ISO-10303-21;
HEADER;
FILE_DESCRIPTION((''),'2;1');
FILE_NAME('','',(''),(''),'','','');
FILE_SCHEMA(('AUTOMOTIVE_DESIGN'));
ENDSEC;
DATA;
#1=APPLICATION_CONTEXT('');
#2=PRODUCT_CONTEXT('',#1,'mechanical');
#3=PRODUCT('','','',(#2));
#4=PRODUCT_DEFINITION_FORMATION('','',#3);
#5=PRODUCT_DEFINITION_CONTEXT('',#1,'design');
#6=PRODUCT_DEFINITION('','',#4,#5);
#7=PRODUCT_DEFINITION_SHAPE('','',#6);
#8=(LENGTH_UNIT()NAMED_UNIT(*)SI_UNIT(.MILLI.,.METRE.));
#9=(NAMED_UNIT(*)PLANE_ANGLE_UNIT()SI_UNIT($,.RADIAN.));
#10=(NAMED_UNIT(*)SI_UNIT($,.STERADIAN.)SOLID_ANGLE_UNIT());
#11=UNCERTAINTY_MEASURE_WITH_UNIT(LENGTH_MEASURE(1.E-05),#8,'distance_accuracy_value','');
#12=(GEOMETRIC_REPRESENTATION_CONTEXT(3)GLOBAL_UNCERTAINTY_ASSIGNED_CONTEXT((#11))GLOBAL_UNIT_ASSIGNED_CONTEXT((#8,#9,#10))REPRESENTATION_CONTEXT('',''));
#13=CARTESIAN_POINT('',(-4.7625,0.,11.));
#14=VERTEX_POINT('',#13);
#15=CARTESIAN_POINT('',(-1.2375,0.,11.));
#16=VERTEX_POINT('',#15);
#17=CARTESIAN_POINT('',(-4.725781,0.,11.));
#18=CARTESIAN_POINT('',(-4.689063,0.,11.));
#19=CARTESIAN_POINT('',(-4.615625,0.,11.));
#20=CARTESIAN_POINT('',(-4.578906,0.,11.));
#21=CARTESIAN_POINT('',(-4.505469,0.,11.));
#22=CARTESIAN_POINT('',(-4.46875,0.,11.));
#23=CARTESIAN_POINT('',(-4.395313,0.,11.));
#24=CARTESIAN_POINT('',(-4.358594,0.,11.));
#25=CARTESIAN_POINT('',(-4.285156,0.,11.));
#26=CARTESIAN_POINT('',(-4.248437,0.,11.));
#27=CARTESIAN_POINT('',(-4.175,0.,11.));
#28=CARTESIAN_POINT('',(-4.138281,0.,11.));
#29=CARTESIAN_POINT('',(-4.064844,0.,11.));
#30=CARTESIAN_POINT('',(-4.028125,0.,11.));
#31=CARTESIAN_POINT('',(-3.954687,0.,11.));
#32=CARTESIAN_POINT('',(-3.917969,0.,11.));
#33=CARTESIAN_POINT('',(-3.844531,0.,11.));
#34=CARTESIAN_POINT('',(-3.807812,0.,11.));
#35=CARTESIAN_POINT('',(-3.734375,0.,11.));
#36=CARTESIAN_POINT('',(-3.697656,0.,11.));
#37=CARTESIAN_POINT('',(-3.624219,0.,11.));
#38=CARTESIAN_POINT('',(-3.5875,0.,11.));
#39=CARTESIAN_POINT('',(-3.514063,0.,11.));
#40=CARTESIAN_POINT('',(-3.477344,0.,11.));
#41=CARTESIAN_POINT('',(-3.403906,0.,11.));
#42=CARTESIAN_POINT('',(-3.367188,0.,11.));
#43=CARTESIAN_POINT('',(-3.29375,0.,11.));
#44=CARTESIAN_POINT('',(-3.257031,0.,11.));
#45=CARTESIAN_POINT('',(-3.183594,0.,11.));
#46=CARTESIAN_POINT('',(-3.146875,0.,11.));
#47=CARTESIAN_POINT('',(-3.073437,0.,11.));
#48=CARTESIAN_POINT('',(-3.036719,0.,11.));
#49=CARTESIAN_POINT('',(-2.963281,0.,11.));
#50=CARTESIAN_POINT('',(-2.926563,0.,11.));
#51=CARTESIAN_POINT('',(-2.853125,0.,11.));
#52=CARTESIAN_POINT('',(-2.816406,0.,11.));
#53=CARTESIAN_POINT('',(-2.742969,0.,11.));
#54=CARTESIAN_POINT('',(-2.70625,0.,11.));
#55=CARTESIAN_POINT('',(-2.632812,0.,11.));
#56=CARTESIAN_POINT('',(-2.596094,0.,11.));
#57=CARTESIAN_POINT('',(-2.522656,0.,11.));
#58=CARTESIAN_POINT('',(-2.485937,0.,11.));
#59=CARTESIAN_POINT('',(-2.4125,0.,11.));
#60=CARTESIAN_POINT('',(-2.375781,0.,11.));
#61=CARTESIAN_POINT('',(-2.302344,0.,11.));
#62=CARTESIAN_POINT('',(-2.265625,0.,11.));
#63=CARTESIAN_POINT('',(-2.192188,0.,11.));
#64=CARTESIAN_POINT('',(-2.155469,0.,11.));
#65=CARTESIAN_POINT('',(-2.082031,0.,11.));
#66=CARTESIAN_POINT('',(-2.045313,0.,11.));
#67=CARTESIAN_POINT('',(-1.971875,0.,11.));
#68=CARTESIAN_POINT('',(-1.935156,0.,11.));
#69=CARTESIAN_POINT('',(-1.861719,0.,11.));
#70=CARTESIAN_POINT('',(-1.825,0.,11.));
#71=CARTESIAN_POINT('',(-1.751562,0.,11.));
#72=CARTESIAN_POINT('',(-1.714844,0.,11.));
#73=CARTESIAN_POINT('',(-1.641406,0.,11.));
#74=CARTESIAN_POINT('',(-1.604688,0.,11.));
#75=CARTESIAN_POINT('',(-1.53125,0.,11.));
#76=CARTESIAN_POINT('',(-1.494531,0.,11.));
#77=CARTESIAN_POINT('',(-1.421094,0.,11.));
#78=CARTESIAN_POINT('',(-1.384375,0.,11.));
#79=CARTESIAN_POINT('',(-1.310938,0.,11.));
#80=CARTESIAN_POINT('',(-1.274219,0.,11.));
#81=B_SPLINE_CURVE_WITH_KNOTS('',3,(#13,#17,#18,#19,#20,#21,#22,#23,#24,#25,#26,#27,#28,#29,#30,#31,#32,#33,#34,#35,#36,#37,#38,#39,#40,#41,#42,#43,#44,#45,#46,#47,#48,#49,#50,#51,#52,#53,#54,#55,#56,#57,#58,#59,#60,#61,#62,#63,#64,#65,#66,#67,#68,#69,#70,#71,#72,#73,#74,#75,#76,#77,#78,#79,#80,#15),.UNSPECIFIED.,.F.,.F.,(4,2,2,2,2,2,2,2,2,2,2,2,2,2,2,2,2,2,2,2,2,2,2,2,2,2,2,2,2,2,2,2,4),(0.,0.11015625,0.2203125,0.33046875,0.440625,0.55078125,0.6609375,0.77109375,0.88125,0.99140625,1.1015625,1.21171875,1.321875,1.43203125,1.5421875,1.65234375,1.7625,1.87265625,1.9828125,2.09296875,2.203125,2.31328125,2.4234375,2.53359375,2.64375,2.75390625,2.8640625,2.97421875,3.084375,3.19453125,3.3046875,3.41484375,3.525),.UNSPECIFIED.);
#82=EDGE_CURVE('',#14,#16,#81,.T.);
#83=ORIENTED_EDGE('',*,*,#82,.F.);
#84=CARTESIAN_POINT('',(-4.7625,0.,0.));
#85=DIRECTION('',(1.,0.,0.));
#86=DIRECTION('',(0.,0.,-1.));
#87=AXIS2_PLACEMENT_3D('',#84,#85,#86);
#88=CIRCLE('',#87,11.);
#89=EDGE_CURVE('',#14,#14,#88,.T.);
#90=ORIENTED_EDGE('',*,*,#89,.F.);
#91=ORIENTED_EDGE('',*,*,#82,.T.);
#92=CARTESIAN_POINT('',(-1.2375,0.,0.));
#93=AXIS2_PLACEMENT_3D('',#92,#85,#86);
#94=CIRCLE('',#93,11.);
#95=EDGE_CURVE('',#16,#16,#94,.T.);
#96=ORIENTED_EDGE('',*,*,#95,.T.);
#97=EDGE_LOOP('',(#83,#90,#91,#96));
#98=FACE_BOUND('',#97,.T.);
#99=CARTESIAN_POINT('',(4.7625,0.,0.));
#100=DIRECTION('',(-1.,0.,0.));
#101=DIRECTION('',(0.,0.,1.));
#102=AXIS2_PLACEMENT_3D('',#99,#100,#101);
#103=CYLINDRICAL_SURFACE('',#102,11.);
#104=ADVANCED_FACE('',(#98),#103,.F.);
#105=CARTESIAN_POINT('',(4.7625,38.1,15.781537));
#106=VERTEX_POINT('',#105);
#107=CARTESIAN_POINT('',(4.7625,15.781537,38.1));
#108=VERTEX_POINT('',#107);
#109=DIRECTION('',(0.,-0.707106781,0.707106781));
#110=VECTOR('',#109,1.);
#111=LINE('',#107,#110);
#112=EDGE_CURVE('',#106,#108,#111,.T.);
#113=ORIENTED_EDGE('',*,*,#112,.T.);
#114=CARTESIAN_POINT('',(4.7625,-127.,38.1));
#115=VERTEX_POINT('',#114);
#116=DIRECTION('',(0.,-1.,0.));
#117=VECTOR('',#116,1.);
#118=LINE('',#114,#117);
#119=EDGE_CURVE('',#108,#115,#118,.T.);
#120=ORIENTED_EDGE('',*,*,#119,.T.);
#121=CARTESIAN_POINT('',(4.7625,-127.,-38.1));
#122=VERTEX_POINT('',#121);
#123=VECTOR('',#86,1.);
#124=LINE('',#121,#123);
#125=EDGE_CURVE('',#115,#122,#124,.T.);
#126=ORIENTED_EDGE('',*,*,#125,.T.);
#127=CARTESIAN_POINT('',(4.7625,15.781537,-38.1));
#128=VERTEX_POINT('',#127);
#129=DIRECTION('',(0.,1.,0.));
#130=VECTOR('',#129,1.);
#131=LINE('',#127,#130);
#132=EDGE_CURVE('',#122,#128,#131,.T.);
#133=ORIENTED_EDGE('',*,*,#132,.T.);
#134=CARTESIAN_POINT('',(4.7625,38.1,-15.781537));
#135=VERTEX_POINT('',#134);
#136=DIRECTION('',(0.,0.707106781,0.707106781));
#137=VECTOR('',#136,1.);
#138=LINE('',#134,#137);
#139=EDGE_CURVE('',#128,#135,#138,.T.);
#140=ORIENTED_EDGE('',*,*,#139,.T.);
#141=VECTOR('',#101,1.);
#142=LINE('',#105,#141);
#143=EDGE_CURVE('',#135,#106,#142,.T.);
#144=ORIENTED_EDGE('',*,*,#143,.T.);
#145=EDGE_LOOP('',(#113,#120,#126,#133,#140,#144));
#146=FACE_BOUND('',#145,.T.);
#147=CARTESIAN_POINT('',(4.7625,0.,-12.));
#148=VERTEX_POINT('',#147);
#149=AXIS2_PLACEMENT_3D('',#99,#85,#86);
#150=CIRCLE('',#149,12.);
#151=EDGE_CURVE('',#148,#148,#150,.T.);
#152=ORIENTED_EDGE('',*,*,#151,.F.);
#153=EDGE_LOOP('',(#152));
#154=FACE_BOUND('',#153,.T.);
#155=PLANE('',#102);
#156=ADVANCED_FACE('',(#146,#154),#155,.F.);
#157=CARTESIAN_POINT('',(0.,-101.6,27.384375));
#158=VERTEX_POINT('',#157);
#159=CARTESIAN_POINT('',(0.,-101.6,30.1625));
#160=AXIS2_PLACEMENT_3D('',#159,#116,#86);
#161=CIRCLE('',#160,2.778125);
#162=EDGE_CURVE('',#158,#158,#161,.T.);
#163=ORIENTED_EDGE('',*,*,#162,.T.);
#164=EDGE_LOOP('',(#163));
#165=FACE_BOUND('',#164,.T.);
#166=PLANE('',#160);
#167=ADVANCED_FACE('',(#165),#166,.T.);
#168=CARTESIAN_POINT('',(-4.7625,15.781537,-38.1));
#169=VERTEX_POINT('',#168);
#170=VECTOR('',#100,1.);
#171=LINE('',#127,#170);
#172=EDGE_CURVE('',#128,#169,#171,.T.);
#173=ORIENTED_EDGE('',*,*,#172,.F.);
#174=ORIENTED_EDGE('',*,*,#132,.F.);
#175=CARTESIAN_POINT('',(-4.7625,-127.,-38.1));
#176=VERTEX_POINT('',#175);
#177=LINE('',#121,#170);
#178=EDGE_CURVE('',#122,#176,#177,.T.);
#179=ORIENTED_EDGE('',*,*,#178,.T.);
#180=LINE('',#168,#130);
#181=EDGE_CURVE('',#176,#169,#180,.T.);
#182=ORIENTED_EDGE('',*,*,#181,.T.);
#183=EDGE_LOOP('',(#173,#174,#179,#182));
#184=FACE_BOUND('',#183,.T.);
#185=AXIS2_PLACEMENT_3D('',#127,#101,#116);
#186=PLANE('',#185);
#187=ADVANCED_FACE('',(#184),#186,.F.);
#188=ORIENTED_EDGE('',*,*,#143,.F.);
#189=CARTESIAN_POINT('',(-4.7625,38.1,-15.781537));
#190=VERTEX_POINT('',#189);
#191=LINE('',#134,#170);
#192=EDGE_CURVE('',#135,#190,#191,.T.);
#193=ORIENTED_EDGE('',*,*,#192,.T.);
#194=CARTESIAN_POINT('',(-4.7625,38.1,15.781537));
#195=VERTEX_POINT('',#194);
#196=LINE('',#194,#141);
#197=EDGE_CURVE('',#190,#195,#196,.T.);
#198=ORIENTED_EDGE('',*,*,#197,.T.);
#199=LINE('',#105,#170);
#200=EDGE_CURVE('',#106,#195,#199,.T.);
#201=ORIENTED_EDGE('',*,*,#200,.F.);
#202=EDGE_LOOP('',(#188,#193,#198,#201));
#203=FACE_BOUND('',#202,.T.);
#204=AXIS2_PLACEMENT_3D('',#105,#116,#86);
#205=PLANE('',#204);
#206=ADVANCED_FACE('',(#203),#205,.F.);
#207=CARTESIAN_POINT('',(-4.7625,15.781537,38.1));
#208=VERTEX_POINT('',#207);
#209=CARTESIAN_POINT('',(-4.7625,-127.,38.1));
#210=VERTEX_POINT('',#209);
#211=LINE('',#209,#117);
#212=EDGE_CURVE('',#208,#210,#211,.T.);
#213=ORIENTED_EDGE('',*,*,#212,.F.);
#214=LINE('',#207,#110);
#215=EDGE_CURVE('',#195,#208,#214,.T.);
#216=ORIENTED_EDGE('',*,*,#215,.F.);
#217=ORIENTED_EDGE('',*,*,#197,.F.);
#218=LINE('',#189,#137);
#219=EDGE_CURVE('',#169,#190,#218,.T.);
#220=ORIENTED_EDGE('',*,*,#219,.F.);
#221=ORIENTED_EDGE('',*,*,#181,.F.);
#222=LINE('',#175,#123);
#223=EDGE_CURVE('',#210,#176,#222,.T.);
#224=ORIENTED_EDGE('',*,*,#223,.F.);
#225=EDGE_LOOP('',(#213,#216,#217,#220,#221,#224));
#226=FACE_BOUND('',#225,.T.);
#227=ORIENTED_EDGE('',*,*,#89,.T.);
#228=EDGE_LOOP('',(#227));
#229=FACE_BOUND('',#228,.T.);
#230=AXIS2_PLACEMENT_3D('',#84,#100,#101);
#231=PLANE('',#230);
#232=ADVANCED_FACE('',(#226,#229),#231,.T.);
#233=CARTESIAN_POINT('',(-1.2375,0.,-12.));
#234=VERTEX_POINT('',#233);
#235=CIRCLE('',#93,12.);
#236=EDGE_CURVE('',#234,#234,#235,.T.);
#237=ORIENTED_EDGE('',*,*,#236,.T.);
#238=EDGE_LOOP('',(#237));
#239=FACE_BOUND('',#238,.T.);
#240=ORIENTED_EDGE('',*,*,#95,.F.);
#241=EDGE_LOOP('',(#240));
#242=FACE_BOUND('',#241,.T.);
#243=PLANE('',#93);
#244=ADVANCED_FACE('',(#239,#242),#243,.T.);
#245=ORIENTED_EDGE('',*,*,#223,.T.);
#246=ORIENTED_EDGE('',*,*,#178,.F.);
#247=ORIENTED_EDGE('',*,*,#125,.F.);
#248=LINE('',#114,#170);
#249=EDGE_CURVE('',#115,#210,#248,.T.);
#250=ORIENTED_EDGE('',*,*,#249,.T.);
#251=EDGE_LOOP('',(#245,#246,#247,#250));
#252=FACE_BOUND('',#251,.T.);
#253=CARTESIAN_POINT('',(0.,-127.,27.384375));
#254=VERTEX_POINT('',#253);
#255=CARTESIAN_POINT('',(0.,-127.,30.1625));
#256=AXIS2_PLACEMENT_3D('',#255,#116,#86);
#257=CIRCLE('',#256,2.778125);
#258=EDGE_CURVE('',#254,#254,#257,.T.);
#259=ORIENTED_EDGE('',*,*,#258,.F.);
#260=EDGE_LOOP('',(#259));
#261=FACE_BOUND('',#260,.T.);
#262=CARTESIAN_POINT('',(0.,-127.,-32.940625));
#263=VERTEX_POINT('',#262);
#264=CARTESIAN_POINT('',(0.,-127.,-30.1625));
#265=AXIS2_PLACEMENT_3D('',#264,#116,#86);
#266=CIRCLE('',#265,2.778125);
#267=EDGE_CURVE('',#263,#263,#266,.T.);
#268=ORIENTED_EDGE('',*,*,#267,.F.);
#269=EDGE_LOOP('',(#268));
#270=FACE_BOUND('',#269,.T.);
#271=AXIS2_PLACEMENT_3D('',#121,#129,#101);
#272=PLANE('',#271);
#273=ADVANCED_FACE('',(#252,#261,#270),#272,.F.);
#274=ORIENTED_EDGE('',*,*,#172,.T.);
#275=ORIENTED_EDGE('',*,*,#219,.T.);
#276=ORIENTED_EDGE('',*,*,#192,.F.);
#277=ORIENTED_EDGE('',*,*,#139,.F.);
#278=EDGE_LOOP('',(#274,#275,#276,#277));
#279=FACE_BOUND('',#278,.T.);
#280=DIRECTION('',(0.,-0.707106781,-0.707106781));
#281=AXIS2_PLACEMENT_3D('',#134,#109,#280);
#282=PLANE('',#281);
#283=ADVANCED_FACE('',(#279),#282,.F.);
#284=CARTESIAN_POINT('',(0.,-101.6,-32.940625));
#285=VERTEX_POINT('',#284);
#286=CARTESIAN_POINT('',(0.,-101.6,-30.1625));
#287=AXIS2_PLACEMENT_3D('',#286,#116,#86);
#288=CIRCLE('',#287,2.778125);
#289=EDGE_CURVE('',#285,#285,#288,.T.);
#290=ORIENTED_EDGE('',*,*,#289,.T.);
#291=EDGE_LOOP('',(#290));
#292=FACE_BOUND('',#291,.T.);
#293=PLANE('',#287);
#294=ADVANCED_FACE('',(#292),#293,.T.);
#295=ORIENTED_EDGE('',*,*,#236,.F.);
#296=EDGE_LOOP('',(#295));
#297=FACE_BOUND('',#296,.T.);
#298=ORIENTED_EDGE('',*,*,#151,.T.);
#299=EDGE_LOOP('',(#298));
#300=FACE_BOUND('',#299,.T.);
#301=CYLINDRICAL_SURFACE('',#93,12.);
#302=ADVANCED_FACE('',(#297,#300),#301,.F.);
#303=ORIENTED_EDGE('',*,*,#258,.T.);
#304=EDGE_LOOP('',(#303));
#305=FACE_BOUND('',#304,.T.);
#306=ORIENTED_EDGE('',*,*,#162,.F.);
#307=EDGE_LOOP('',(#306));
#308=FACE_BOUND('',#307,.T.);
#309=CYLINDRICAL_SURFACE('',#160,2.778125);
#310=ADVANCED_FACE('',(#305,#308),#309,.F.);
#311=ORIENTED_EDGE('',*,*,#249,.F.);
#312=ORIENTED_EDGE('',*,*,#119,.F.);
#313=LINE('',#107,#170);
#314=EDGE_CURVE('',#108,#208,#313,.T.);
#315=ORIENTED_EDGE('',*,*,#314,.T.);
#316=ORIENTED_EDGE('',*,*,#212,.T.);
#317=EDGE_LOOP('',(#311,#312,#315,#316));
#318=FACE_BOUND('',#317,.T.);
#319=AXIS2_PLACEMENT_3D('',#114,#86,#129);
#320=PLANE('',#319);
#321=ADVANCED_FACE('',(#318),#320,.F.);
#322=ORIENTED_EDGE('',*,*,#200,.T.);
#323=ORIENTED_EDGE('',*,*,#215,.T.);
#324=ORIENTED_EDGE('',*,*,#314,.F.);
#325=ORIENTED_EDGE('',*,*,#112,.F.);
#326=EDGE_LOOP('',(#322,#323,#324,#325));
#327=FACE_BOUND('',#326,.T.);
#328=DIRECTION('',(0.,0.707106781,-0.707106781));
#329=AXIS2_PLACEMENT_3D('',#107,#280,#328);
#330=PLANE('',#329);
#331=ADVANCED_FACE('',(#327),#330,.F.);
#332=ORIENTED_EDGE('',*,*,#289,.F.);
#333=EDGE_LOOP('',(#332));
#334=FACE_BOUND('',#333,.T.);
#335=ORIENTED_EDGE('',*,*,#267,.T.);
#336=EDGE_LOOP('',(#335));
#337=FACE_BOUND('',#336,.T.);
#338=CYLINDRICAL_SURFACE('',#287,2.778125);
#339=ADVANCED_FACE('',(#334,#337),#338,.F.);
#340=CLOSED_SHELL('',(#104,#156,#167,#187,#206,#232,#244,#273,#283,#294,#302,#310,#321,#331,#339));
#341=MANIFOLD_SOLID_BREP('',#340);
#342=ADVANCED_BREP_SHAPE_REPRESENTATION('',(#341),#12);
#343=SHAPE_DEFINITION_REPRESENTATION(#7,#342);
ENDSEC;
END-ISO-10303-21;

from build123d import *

# Parameters (mm, degrees)
SKETCH1_R           = 11
BOSS_EXTRUDE1_DEPTH = 4.7625
SKETCH2_R           = 12
CUT_EXTRUDE1_DEPTH  = 6
SKETCH3_R           = 2.778125
CUT_EXTRUDE2_DEPTH  = 25.4


with BuildPart() as part:
    # Sketch1 → Boss-Extrude1 (new, symmetric)
    with BuildSketch(Plane(origin=(0, 0, 0), x_dir=(0, 0, -1), z_dir=(1, 0, 0))):
        Polygon((-38.1, -127), (-38.1, 15.781536726), (-15.781536726, 38.1), (15.781536726, 38.1), (38.1, 15.781536726), (38.1, -127), align=None)
        with Locations(Location((0, 0, 0), (0, 0, 180))):
            Circle(SKETCH1_R, mode=Mode.SUBTRACT)
    extrude(amount=BOSS_EXTRUDE1_DEPTH, both=True)

    # Sketch2 → Cut-Extrude1 (cut)
    with BuildSketch(Plane(origin=(4.7625, 0, 0), x_dir=(0, 0, -1), z_dir=(1, 0, 0))):
        Circle(SKETCH2_R)
    extrude(amount=-CUT_EXTRUDE1_DEPTH, mode=Mode.SUBTRACT)

    # Sketch3 → Cut-Extrude2 (cut)
    with BuildSketch(Plane.XZ.offset(127)):
        with Locations(Location((0, 30.1625, 0), (0, 0, 270))):
            Circle(SKETCH3_R)
        with Locations(Location((0, -30.1625, 0), (0, 0, 270))):
            Circle(SKETCH3_R)
    extrude(amount=-CUT_EXTRUDE2_DEPTH, mode=Mode.SUBTRACT)


solid = part.part
